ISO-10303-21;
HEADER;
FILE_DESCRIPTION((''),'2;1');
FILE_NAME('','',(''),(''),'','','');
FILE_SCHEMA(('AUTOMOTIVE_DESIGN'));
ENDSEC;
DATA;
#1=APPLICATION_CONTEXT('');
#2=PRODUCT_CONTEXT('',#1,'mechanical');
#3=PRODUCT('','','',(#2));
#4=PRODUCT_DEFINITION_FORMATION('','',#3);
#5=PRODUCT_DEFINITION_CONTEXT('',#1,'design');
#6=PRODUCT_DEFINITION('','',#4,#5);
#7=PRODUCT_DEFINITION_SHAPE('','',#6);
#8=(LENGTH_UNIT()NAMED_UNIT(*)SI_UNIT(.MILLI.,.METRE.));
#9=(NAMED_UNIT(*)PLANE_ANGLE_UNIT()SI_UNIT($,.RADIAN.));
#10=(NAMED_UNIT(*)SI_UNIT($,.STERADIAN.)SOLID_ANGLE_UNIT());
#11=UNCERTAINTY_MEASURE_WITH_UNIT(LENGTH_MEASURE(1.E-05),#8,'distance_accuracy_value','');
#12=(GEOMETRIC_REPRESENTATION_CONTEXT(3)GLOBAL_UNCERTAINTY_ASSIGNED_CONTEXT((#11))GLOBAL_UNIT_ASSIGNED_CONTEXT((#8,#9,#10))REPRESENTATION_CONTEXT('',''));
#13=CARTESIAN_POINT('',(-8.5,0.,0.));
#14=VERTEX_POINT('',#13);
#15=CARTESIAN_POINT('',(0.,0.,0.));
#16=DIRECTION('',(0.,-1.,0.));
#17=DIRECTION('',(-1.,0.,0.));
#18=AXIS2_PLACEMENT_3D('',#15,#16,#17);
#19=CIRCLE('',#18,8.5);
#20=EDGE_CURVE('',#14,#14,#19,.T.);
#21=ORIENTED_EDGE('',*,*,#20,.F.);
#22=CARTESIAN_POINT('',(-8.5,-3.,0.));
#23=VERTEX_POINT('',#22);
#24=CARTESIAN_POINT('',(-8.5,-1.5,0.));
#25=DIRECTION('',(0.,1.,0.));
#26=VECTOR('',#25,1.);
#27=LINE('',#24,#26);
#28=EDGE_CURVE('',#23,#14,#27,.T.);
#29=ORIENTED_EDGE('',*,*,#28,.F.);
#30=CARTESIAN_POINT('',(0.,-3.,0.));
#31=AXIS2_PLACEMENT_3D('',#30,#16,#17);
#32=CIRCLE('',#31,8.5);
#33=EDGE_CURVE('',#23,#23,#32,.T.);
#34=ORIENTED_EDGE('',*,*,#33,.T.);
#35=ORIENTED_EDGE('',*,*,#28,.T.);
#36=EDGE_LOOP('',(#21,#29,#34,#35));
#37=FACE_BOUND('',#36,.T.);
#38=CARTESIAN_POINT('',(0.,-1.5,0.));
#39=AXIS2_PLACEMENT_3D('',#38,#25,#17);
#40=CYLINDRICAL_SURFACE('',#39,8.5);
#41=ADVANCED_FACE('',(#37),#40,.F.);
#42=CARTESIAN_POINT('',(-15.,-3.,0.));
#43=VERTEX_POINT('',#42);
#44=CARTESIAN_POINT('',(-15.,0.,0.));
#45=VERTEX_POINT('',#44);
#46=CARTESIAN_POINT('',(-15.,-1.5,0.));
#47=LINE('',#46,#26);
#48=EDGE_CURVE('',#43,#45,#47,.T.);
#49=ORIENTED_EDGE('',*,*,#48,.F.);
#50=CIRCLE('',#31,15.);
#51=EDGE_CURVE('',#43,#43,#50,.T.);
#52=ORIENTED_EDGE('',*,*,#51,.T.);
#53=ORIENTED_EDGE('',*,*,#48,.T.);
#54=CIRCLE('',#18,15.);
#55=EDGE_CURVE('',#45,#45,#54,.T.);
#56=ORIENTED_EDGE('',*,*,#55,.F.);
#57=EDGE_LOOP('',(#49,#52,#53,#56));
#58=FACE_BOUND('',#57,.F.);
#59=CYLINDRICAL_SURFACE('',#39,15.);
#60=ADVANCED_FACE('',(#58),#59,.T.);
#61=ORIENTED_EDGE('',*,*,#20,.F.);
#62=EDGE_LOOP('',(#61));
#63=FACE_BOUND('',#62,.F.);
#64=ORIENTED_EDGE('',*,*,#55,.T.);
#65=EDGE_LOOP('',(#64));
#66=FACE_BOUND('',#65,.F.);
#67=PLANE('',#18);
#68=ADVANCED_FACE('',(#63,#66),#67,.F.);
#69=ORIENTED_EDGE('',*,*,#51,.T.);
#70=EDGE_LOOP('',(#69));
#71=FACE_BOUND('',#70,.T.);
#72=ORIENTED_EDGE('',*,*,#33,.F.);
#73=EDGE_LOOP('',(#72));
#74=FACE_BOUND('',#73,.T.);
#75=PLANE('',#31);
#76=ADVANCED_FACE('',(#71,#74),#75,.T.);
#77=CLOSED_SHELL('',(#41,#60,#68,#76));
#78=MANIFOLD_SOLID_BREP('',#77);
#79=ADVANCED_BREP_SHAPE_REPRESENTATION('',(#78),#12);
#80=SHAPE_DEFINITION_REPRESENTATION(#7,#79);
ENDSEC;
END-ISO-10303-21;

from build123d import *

# Parameters (mm, degrees)
SKETCH1_W = 6.5
SKETCH1_H = 3


with BuildPart() as part:
    # Sketch1 → Revolve1 (revolve)
    with BuildSketch(Plane.XY):
        with Locations((-11.75, -1.5)):
            Rectangle(SKETCH1_W, SKETCH1_H)
    revolve(axis=Axis((0, 2.968309859, 0), (0, -1, 0)))


solid = part.part
